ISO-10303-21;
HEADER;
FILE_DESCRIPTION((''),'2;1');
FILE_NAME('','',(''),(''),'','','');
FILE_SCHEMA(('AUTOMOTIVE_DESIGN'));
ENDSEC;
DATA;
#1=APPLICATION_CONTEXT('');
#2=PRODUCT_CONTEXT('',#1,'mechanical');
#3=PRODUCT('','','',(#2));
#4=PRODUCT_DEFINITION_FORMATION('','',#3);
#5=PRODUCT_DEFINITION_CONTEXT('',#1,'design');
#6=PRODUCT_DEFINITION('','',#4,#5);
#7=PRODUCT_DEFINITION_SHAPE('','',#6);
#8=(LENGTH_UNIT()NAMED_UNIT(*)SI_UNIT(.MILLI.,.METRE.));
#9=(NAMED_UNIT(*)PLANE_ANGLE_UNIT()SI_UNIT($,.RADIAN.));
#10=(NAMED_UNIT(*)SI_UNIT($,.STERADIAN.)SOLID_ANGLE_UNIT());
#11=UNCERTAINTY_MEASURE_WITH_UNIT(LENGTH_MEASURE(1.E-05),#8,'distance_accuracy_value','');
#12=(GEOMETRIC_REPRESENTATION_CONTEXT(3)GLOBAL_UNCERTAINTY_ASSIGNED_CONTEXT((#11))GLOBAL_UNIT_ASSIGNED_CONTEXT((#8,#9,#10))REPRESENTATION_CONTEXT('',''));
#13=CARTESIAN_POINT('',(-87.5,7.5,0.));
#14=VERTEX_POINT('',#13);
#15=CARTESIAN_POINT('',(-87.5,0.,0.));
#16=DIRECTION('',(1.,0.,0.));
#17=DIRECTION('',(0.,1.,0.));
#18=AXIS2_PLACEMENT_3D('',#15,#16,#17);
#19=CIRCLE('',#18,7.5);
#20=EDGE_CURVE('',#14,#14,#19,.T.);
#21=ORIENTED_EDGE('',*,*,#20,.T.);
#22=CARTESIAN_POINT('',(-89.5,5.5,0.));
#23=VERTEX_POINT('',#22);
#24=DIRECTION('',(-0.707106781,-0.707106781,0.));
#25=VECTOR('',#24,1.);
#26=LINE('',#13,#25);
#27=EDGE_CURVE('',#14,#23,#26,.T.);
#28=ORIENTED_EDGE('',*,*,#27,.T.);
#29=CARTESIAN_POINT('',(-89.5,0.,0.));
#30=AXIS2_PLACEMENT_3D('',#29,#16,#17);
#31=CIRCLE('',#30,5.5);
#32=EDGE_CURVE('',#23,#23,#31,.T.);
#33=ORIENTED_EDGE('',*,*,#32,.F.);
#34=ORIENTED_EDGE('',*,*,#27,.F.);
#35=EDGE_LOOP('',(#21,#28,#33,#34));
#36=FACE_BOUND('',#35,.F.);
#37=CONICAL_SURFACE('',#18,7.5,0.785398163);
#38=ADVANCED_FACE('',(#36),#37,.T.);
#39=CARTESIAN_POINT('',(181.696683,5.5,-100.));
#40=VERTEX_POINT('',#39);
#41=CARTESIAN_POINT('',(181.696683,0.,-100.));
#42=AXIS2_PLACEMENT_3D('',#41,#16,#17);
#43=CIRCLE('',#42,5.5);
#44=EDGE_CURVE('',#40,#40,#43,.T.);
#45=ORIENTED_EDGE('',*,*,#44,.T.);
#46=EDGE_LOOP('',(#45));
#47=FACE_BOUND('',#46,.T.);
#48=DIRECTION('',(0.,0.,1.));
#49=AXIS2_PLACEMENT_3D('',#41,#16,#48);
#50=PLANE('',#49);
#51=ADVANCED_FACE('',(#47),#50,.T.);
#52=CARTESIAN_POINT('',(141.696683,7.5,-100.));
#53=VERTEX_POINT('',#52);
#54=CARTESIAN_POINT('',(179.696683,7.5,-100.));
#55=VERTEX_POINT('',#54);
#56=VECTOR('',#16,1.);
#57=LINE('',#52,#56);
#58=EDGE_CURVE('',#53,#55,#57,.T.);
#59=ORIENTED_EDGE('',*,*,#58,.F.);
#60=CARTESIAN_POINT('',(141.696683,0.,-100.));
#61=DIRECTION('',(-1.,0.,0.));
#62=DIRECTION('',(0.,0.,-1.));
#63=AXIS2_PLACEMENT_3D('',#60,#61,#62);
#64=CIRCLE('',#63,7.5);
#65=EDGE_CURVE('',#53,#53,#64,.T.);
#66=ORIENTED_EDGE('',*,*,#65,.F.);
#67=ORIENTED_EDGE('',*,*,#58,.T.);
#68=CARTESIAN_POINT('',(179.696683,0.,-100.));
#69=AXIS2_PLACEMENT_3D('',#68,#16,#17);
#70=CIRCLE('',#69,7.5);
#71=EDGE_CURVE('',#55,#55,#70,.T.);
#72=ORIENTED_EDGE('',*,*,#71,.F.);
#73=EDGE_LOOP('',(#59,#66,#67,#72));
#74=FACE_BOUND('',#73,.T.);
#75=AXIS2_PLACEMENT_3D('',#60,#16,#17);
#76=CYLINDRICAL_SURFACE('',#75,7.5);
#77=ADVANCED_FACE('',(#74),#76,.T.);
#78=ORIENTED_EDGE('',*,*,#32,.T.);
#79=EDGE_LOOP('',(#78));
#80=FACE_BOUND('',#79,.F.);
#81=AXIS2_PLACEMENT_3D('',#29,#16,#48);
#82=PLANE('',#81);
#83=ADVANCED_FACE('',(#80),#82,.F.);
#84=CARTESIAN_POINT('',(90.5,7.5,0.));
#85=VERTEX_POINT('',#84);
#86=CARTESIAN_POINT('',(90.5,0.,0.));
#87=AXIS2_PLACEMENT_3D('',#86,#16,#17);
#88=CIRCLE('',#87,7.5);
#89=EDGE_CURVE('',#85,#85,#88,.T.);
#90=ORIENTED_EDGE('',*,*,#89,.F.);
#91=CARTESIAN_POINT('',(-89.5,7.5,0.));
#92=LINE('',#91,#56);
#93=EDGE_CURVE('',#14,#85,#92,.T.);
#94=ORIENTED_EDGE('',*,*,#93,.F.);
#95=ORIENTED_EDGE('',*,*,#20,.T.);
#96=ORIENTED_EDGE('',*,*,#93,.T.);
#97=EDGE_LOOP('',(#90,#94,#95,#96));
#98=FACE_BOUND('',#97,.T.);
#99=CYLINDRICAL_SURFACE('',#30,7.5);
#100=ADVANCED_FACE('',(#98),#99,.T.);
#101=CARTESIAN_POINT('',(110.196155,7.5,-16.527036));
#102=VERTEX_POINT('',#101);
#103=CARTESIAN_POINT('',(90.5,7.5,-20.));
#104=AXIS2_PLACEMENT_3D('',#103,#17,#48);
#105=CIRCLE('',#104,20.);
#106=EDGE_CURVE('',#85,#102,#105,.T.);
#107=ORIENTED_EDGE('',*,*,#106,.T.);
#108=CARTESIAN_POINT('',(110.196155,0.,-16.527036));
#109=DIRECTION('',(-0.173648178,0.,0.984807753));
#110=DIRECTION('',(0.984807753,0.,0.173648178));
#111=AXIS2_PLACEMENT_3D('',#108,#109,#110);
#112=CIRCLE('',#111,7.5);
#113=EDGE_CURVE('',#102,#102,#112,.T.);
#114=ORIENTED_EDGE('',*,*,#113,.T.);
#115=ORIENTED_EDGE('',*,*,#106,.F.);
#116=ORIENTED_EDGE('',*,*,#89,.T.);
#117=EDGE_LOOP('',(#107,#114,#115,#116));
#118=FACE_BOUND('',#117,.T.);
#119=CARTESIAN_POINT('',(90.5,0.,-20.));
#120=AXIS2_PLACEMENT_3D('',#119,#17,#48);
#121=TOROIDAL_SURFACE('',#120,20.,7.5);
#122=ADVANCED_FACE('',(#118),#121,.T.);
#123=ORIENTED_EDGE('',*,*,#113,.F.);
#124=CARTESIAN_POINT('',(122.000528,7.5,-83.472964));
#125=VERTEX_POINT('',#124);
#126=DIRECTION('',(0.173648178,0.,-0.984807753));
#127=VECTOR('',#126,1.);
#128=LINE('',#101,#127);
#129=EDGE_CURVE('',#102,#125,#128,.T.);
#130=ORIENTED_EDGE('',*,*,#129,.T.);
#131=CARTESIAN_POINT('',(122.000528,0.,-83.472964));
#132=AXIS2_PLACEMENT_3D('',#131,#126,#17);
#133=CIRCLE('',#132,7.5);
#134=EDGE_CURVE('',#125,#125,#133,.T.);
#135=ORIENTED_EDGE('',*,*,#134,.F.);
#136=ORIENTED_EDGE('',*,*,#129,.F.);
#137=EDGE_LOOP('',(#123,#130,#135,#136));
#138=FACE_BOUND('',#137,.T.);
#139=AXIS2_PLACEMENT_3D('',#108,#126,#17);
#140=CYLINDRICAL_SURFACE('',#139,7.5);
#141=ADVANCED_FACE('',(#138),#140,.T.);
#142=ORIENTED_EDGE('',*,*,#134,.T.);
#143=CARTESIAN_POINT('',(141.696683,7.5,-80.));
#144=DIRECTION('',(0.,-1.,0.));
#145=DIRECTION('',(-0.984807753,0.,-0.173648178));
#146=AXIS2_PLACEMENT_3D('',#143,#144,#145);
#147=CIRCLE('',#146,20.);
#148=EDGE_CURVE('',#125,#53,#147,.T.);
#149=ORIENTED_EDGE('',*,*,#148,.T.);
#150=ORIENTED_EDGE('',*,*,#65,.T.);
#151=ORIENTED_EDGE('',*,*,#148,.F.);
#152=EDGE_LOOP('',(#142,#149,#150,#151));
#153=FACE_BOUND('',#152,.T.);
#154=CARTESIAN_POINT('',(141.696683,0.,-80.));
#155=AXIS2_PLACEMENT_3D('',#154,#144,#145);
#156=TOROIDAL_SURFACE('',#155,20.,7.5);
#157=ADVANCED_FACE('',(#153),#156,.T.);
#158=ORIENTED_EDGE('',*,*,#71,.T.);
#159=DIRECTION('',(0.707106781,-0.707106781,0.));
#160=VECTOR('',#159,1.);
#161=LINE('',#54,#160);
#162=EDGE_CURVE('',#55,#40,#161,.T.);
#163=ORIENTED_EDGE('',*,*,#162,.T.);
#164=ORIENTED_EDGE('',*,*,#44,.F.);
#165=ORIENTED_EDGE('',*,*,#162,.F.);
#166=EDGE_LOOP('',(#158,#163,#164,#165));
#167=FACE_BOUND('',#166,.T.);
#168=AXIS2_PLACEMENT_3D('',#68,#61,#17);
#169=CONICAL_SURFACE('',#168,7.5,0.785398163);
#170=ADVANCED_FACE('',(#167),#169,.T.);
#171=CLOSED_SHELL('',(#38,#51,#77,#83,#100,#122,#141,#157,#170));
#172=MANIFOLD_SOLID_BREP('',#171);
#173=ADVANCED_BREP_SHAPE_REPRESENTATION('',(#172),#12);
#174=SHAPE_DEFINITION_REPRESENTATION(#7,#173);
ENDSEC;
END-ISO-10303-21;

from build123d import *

# Parameters (mm, degrees)
F2_R    = 7.5
F4_SIZE = 2


with BuildPart() as f3:
    # F3: sweep along a path in F0
    with BuildLine(Plane.XZ) as f3_path:
        Line((-89.5, 0), (90.5, 0))
        ThreePointArc((90.5, 0), (103.3557521937, -4.6791111376), (110.1961550602, -16.5270364467))
        Line((110.1961550602, -16.5270364467), (122.0005282577, -83.4729635533))
        ThreePointArc((122.0005282577, -83.4729635533), (128.8409311242, -95.3208888624), (141.6966833179, -100))
        Line((141.6966833179, -100), (181.6966833179, -100))
    # F2 (on offset) → F3 (sweep)
    with BuildSketch(Plane.YZ.offset(-89.5)):
        Circle(F2_R)
    sweep(path=f3_path.line)

    # F4
    f4_edges = [f3.edges().sort_by_distance(p)[0] for p in [
        (181.696683, -7.5, -100),
        (-89.5, -7.5, 0),
    ]]
    chamfer(f4_edges, length=F4_SIZE)


solid = f3.part
